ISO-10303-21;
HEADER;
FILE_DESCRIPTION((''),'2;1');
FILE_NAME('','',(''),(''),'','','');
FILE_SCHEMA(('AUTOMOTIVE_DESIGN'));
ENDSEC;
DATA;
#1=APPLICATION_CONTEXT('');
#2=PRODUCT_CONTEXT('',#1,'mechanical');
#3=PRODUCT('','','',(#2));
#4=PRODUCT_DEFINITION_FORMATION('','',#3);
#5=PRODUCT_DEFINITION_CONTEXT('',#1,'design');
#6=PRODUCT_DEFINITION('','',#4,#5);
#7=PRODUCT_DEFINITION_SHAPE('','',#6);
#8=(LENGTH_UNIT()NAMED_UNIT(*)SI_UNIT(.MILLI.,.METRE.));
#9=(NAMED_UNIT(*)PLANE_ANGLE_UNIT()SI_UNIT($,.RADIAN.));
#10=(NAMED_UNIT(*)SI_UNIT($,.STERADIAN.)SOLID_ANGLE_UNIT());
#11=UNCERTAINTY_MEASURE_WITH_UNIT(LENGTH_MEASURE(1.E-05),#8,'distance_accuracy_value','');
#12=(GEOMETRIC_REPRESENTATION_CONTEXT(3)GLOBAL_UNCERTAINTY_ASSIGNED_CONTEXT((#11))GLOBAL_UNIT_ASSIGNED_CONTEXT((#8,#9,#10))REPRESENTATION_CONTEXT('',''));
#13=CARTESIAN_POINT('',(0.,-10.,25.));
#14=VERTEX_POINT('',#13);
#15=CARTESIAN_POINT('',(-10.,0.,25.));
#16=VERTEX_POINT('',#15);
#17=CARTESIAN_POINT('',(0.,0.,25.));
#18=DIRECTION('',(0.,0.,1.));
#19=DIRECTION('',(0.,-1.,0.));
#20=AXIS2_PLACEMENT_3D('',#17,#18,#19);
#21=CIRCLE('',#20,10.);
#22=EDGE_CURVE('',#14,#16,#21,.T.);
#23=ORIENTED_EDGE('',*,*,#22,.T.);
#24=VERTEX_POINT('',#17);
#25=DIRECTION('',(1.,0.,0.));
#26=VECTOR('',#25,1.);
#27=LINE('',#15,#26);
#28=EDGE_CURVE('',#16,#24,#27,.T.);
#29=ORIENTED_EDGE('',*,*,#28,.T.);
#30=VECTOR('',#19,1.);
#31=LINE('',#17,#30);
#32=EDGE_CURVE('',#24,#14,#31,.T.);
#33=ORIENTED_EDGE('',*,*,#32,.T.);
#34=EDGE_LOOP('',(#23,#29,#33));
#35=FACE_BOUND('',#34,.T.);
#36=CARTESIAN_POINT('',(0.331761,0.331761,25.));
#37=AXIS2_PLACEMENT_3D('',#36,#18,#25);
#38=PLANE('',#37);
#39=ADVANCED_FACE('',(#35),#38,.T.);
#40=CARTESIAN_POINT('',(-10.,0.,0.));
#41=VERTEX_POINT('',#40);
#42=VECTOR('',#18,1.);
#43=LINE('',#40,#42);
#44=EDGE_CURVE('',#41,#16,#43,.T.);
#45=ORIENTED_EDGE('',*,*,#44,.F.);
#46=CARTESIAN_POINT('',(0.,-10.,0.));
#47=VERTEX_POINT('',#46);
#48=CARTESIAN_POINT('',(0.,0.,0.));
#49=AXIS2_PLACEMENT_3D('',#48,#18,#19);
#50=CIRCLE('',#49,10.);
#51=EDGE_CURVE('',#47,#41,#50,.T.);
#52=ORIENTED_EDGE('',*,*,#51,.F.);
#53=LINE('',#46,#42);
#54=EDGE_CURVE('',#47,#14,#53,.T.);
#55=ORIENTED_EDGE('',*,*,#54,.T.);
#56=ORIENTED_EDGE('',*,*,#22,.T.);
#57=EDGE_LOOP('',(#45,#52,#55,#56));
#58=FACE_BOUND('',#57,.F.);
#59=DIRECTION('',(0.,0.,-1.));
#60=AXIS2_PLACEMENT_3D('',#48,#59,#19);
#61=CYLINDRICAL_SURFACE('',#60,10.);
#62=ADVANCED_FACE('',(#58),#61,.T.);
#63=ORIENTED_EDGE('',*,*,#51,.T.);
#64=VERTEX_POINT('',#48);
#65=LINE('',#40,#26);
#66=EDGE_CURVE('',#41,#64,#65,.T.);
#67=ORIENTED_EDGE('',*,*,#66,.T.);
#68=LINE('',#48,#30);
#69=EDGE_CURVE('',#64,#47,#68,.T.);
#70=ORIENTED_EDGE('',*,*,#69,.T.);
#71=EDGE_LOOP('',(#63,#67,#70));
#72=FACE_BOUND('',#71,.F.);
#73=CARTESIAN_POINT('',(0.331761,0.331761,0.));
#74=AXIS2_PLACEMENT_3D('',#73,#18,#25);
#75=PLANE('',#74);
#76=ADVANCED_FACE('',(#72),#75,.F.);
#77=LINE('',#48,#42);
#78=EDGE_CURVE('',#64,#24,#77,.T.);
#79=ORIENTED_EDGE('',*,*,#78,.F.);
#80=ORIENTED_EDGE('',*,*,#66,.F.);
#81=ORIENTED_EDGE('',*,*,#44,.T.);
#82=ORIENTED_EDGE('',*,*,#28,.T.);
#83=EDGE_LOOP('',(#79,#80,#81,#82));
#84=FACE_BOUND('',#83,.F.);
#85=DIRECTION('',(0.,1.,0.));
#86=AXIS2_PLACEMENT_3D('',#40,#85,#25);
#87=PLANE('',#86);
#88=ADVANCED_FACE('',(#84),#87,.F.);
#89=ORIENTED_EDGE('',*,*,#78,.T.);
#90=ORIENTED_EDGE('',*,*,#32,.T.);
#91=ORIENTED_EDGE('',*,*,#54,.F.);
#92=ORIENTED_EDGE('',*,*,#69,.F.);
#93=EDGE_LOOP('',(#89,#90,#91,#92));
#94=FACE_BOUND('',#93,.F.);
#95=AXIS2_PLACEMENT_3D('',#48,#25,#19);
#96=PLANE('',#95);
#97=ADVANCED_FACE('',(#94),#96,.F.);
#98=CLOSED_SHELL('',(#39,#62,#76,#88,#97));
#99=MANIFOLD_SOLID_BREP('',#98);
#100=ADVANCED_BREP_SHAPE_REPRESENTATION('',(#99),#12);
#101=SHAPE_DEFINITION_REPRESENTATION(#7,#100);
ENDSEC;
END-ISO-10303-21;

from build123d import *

# Parameters (mm, degrees)
BOSS_EXTRUDE1_DEPTH = 25


with BuildPart() as part:
    # Sketch1 → Boss-Extrude1 (new body)
    with BuildSketch(Plane.XY):
        with BuildLine():
            Line((-10, 0), (0, 0))
            Line((0, 0), (0, -10))
            ThreePointArc((0, -10), (7.071067812, 7.071067812), (-10, 0))
        make_face()
    extrude(amount=BOSS_EXTRUDE1_DEPTH)


solid = part.part
